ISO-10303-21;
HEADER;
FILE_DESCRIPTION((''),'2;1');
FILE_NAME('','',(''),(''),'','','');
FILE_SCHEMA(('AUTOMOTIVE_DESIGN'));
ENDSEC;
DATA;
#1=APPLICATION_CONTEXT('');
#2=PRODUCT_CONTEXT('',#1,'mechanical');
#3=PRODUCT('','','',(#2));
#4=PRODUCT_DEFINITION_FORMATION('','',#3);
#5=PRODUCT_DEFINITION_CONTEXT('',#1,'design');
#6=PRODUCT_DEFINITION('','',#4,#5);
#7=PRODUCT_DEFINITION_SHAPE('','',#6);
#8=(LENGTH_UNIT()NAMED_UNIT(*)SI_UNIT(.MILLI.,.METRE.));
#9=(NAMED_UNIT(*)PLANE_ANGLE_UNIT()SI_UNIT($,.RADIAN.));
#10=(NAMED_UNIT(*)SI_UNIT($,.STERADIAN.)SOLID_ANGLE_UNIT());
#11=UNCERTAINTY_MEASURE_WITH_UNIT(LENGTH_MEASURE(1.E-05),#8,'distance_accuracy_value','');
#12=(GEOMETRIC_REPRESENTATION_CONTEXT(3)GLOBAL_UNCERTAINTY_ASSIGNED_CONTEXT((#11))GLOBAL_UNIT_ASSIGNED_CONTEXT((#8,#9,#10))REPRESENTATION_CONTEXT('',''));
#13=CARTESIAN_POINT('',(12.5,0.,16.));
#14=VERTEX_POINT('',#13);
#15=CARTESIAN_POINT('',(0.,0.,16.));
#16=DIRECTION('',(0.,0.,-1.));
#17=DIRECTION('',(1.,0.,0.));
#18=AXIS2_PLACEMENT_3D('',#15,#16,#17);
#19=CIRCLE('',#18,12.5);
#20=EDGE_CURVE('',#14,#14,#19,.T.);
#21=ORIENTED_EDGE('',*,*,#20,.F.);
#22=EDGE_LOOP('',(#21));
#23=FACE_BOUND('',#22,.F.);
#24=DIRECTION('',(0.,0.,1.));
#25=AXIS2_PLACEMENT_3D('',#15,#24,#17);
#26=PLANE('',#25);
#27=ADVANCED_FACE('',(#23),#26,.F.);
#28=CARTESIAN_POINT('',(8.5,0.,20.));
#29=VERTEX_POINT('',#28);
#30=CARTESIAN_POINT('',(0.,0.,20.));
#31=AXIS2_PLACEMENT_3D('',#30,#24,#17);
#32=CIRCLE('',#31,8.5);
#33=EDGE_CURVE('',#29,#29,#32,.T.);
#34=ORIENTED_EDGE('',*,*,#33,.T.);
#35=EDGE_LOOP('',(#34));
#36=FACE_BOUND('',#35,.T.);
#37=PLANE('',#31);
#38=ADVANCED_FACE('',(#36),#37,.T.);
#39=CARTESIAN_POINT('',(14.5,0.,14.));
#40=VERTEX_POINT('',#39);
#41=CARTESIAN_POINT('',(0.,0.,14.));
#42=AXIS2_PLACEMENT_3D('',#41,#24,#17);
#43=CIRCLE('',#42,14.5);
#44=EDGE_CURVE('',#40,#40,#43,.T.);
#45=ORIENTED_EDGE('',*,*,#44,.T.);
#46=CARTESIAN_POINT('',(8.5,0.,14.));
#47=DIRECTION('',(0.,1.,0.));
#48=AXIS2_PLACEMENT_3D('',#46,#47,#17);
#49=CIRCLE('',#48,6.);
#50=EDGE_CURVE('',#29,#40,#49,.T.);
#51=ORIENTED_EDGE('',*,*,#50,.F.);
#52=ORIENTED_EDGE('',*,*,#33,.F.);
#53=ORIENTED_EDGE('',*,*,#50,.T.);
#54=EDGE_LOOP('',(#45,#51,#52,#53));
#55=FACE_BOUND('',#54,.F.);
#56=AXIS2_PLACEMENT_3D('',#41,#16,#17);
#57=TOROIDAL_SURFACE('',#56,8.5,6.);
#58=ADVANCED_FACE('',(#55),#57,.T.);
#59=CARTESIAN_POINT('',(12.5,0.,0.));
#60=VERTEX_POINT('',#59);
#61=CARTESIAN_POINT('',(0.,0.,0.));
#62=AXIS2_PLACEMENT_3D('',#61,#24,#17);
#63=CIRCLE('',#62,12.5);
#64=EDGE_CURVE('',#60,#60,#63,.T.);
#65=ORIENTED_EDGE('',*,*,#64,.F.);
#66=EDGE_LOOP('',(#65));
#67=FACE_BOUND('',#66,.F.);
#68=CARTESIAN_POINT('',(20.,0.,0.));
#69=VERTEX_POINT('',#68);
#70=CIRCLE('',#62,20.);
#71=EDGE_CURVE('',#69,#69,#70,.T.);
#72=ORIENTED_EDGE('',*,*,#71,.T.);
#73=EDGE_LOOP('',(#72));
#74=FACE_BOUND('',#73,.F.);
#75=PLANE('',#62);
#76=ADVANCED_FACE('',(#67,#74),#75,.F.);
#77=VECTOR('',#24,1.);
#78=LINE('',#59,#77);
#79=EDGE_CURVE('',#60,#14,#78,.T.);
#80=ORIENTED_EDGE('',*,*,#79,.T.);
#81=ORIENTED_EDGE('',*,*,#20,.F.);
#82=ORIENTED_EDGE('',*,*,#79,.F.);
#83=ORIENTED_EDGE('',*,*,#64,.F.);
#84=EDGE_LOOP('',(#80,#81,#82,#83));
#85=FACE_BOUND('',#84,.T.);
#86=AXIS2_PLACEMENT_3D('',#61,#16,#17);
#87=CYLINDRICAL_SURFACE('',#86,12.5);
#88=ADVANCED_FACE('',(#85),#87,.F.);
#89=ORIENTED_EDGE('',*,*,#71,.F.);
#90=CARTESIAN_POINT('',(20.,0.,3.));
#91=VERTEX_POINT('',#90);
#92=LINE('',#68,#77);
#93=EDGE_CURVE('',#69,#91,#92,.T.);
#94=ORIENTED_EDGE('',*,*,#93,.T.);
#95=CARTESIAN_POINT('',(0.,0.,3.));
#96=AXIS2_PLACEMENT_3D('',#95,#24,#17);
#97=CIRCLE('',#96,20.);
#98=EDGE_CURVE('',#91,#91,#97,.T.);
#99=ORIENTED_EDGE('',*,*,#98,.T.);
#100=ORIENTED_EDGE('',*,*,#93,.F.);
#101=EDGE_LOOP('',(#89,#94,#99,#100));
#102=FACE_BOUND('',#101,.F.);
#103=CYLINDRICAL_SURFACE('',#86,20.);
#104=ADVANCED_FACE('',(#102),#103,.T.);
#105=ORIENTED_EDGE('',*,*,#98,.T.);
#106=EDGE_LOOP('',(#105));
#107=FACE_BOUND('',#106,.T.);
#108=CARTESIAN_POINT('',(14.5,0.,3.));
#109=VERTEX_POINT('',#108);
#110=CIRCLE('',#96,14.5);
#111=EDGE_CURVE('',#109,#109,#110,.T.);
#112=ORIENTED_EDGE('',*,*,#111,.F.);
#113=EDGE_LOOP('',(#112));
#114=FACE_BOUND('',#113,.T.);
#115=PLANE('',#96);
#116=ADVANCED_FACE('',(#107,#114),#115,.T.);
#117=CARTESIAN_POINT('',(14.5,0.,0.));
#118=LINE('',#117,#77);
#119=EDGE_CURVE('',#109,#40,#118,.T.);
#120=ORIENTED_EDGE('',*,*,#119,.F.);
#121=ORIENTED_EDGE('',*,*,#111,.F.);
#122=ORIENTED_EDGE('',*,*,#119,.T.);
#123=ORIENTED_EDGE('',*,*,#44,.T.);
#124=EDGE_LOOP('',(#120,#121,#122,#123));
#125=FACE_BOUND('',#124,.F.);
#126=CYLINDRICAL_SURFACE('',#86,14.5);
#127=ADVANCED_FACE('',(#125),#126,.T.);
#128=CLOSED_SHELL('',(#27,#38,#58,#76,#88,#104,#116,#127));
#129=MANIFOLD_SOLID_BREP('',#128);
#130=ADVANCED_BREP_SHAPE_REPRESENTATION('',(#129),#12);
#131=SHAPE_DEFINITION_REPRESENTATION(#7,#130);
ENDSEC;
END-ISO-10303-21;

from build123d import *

# Parameters (mm, degrees)
F0_R     = 20
F0_R_2   = 14.5
F1_DEPTH = 3
F0_R_3   = 12.5
F2_DEPTH = 20
F3_R     = 13.014075
F4_DEPTH = 4
F5_R     = 6


with BuildPart() as f1:
    # F0 (on Top) → F1 (new body)
    with BuildSketch(Plane.XY):
        Circle(F0_R)
        Circle(F0_R_2, mode=Mode.SUBTRACT)
    extrude(amount=F1_DEPTH)

    # F0 (on Top) → F2 (join)
    with BuildSketch(Plane.XY):
        Circle(F0_R_2)
        Circle(F0_R_3, mode=Mode.SUBTRACT)
    extrude(amount=F2_DEPTH)

    # F3 (on face) → F4 (join)
    with BuildSketch(Plane.XY.offset(20)):
        Circle(F3_R)
    extrude(amount=-F4_DEPTH)

    # F5
    f5_edges = [f1.edges().sort_by_distance(p)[0] for p in [
        (-14.5, 0, 20),
    ]]
    fillet(f5_edges, radius=F5_R)


solid = f1.part
